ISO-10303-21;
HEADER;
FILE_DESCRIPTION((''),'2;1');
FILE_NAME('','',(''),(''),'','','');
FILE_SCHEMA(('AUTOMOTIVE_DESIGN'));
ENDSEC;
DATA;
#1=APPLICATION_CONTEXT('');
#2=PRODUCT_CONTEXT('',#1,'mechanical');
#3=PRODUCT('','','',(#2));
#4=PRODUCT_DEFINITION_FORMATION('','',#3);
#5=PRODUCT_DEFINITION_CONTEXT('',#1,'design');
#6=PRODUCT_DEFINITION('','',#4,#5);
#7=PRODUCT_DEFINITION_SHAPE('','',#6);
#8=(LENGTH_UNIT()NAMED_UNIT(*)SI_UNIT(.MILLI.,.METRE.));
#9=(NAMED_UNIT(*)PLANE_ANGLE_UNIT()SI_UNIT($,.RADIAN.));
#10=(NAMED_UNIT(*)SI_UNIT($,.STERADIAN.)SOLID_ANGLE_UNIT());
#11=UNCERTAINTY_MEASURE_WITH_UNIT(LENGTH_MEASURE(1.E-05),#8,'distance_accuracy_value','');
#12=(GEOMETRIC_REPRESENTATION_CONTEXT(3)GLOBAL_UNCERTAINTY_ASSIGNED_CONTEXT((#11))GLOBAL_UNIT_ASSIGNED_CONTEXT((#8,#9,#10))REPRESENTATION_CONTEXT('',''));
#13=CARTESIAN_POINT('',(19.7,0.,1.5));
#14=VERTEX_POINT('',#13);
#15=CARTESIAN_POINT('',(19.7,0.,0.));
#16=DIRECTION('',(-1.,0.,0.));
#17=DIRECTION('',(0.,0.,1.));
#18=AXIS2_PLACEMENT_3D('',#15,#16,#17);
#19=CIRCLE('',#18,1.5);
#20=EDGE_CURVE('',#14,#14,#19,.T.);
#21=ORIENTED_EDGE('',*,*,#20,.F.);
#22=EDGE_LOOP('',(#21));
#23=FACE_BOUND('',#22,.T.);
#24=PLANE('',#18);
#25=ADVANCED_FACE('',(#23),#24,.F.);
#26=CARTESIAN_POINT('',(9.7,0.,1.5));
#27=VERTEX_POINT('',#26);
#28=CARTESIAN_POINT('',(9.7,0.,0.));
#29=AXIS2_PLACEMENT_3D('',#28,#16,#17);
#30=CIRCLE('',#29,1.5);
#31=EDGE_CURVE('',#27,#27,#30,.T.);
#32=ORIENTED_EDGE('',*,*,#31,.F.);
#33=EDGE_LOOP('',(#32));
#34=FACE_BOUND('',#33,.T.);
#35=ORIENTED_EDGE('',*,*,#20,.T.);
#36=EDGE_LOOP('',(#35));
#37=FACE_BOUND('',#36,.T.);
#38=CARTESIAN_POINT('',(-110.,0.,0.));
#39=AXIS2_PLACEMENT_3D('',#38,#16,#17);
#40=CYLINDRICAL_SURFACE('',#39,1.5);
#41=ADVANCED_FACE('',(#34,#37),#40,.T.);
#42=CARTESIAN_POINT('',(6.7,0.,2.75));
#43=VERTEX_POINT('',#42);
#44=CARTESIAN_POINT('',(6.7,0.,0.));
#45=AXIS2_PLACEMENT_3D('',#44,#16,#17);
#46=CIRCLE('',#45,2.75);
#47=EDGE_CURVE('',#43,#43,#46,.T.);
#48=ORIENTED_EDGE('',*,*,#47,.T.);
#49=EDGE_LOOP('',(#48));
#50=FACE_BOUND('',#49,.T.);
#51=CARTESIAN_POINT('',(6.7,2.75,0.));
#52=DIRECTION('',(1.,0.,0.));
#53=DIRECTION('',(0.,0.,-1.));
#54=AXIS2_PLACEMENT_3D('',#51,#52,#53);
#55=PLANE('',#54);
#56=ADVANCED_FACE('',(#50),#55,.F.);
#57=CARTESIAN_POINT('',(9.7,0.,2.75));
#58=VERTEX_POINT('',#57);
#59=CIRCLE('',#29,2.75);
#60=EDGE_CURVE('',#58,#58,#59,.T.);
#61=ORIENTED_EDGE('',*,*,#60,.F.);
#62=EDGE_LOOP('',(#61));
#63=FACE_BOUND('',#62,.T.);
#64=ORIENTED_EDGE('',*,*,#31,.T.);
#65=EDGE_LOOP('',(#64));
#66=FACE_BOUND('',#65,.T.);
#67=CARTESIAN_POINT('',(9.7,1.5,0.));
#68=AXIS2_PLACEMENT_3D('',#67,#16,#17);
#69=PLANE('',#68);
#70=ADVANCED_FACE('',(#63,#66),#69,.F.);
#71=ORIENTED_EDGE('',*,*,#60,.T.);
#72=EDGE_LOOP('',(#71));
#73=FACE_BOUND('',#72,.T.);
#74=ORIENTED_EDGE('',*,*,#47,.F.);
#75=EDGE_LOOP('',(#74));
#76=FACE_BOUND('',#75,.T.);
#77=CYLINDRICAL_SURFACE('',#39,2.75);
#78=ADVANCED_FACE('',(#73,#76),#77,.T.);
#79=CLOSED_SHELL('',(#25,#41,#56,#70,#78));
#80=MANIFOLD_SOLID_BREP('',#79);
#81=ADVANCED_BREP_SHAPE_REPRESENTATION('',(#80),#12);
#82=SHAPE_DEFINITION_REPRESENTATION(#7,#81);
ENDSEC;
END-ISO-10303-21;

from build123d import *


with BuildPart() as part:
    # Axial profile (mm) → Full revolution (revolve)
    with BuildSketch(Plane.XY, mode=Mode.PRIVATE) as full_revolution_sk:
        Polygon((6.7, 0), (19.7, 0), (19.7, 1.5), (9.7, 1.5), (9.7, 2.75), (6.7, 2.75), align=None)
    revolve(full_revolution_sk.sketch.rotate(Axis((-110, 0, 0), (1, 0, 0)), 90), axis=Axis((-110, 0, 0), (1, 0, 0)))


solid = part.part
